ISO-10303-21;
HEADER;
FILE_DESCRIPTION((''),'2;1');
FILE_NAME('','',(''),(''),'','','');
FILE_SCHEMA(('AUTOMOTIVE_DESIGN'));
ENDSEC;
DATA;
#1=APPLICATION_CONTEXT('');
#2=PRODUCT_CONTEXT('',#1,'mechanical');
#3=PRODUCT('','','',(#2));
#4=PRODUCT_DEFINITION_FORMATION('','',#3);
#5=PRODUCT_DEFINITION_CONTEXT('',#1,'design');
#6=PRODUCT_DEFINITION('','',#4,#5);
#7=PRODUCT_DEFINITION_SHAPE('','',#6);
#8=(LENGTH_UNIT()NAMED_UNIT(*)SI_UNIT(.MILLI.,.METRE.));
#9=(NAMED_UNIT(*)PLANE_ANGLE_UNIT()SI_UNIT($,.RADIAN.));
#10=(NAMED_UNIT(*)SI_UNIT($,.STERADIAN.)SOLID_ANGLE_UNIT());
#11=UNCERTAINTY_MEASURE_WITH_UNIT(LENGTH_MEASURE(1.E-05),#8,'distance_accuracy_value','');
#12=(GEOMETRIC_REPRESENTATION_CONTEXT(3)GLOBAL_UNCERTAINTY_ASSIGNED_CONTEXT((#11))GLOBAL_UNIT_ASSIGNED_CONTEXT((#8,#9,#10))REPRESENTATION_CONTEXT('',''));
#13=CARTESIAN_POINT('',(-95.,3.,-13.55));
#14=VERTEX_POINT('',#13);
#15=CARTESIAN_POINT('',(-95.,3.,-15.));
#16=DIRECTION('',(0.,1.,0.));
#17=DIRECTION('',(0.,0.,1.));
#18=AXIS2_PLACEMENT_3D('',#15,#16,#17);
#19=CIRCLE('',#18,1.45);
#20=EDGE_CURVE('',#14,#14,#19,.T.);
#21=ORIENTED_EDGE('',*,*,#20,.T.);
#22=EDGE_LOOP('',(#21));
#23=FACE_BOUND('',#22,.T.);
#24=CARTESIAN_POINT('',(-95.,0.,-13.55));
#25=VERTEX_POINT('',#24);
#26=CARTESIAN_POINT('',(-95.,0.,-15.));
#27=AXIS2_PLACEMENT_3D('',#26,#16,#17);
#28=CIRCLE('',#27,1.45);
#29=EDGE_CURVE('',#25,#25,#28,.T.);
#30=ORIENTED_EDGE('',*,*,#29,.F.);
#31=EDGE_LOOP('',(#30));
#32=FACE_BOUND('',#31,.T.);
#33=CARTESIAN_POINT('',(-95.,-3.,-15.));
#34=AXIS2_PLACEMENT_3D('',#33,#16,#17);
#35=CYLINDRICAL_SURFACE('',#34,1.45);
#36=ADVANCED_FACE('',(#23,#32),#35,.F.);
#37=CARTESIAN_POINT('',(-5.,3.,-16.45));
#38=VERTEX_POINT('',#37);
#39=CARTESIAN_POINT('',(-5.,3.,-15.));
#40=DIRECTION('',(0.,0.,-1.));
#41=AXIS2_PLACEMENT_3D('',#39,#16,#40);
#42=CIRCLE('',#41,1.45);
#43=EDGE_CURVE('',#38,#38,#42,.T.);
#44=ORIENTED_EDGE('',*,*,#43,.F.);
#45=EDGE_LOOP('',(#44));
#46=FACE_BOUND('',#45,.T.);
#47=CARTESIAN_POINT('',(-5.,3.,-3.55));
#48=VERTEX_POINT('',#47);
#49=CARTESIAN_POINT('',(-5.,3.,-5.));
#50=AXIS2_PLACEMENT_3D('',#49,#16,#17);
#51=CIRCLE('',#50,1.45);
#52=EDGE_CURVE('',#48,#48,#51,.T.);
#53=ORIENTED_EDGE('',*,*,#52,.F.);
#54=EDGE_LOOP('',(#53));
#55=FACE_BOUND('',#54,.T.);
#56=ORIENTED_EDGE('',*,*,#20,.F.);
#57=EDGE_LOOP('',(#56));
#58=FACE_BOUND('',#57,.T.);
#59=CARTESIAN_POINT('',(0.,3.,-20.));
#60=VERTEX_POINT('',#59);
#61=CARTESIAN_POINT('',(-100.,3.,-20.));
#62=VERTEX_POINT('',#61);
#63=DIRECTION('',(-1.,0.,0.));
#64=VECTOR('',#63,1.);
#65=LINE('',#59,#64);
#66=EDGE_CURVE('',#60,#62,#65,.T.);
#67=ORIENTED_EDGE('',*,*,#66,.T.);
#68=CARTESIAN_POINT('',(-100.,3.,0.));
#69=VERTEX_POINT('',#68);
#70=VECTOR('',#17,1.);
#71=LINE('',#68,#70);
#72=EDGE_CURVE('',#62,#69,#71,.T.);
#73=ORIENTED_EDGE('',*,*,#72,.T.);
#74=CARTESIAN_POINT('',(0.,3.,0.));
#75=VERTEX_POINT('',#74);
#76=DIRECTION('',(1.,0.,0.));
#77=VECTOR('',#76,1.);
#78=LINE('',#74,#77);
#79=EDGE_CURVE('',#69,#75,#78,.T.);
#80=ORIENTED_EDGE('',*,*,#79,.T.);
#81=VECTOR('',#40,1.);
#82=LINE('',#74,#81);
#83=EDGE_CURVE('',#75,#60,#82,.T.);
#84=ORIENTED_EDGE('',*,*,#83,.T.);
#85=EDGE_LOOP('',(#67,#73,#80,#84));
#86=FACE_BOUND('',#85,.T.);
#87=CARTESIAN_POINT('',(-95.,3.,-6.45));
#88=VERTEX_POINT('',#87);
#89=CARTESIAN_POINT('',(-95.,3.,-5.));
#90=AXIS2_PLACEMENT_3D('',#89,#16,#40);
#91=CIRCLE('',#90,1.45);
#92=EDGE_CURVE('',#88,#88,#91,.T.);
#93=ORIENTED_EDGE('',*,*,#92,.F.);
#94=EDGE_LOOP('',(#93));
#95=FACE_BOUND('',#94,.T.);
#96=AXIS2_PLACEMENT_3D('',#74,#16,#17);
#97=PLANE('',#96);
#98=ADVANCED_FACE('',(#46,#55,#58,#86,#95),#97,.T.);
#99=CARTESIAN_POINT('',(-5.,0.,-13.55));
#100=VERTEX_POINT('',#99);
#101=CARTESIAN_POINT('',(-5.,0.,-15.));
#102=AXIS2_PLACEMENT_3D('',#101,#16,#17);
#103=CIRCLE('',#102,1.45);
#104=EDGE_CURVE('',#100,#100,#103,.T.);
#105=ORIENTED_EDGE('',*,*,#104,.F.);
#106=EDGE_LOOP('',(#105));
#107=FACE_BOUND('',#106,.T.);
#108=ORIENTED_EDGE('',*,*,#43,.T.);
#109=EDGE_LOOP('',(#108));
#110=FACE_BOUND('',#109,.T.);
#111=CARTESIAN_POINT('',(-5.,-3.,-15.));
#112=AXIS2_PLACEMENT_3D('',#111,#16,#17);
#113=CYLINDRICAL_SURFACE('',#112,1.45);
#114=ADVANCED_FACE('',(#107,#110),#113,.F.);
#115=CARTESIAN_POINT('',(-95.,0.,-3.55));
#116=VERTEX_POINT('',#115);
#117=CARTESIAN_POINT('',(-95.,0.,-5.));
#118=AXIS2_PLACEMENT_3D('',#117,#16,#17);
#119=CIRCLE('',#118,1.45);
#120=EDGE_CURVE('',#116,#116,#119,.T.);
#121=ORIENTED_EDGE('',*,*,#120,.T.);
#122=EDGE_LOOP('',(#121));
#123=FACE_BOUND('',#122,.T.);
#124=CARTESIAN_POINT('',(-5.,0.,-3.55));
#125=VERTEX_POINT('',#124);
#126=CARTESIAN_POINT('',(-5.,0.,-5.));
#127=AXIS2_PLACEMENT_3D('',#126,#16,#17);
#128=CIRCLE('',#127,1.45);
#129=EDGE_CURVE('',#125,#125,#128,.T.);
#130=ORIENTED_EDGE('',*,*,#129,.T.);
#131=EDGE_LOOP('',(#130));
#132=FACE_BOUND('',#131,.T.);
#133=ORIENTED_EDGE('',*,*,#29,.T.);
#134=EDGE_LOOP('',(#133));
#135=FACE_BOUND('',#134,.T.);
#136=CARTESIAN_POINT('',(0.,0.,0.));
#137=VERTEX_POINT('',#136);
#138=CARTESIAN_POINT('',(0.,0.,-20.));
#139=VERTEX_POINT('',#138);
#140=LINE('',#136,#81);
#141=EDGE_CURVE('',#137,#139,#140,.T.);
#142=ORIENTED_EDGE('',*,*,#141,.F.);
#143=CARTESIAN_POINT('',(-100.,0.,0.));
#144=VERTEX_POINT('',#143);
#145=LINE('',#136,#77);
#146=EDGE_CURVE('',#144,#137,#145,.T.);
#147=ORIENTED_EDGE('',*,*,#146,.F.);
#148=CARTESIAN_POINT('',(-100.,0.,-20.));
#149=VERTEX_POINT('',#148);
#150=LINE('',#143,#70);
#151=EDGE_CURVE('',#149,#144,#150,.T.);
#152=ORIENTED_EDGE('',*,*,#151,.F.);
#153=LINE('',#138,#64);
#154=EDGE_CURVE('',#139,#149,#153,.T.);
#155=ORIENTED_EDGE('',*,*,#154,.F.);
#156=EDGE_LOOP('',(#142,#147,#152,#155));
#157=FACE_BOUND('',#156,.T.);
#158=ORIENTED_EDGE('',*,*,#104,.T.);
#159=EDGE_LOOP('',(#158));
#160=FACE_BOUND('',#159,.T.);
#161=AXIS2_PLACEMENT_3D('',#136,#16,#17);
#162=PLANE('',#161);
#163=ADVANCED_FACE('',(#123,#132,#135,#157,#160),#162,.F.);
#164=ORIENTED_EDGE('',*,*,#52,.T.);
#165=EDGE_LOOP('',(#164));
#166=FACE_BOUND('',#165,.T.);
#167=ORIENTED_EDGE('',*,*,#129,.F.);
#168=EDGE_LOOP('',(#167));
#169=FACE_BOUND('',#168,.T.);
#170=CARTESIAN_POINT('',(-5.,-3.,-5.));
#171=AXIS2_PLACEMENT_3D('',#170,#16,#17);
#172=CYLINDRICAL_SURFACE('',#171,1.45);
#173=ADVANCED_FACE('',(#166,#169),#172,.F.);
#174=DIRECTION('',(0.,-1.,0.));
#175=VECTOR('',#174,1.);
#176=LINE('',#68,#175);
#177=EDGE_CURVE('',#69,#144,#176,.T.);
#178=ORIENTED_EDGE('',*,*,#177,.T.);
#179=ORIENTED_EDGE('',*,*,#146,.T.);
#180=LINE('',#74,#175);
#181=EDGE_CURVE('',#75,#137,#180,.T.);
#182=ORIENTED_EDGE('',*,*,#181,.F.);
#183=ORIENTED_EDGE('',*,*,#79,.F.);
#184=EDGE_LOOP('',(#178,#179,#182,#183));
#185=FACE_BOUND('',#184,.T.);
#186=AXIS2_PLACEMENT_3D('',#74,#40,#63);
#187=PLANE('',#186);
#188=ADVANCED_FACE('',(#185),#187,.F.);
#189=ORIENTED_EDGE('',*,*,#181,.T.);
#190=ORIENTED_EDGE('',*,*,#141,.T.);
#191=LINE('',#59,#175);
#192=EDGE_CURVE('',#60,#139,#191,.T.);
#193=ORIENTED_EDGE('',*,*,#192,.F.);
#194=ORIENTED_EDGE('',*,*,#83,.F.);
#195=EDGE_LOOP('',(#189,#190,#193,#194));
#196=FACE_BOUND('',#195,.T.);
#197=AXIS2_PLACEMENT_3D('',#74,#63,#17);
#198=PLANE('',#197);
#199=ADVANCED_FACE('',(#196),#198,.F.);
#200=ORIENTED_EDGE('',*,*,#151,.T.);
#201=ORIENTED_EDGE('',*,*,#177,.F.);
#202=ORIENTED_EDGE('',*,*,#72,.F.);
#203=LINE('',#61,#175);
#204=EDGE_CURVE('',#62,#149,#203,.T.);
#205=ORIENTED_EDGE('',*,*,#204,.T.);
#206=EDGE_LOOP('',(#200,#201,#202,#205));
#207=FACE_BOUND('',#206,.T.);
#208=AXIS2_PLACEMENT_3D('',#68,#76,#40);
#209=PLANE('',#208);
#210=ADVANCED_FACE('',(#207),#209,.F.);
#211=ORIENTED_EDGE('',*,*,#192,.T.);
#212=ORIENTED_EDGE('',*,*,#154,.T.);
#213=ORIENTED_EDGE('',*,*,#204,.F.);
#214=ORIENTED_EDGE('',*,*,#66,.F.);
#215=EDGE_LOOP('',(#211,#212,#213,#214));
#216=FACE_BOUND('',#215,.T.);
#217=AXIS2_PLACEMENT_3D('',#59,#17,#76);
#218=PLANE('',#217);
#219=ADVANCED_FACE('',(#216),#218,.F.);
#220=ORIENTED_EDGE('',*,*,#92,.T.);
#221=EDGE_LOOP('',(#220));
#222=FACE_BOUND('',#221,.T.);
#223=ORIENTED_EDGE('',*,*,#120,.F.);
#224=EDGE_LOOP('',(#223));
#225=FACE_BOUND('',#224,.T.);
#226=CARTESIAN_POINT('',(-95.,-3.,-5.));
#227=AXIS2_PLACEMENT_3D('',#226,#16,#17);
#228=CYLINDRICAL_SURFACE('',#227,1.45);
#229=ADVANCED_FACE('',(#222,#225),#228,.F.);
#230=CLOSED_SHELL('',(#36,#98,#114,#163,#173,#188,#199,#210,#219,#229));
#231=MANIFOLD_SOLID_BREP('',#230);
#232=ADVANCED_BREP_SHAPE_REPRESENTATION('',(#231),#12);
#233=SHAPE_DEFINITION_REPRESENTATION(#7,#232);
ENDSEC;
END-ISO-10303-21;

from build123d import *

# Parameters (mm, degrees)
SKETCH_1_W          = 100
SKETCH_1_H          = 20
EXTRUDE_1_DEPTH     = 3
SKETCH_2_R          = 1.45
CUT_EXTRUDE_1_DEPTH = 6


with BuildPart() as part:
    # 草图1 → 凸台-拉伸1 (new body)
    with BuildSketch(Plane(origin=(0, 0, 0), x_dir=(1, 0, 0), z_dir=(0, 1, 0))):
        with Locations((-50, 10)):
            Rectangle(SKETCH_1_W, SKETCH_1_H)
    extrude(amount=EXTRUDE_1_DEPTH)

    # 草图2 → 切除-拉伸1 (cut)
    with BuildSketch(Plane(origin=(0, 3, 0), x_dir=(1, 0, 0), z_dir=(0, 1, 0))):
        with Locations(Location((-95, 15, 0), (0, 0, 270))):
            Circle(SKETCH_2_R)
        with Locations(Location((-95, 5, 0), (0, 0, 270))):
            Circle(SKETCH_2_R)
        with Locations(Location((-5, 5, 0), (0, 0, 270))):
            Circle(SKETCH_2_R)
        with Locations(Location((-5, 15, 0), (0, 0, 270))):
            Circle(SKETCH_2_R)
    extrude(amount=-CUT_EXTRUDE_1_DEPTH, mode=Mode.SUBTRACT)


solid = part.part
